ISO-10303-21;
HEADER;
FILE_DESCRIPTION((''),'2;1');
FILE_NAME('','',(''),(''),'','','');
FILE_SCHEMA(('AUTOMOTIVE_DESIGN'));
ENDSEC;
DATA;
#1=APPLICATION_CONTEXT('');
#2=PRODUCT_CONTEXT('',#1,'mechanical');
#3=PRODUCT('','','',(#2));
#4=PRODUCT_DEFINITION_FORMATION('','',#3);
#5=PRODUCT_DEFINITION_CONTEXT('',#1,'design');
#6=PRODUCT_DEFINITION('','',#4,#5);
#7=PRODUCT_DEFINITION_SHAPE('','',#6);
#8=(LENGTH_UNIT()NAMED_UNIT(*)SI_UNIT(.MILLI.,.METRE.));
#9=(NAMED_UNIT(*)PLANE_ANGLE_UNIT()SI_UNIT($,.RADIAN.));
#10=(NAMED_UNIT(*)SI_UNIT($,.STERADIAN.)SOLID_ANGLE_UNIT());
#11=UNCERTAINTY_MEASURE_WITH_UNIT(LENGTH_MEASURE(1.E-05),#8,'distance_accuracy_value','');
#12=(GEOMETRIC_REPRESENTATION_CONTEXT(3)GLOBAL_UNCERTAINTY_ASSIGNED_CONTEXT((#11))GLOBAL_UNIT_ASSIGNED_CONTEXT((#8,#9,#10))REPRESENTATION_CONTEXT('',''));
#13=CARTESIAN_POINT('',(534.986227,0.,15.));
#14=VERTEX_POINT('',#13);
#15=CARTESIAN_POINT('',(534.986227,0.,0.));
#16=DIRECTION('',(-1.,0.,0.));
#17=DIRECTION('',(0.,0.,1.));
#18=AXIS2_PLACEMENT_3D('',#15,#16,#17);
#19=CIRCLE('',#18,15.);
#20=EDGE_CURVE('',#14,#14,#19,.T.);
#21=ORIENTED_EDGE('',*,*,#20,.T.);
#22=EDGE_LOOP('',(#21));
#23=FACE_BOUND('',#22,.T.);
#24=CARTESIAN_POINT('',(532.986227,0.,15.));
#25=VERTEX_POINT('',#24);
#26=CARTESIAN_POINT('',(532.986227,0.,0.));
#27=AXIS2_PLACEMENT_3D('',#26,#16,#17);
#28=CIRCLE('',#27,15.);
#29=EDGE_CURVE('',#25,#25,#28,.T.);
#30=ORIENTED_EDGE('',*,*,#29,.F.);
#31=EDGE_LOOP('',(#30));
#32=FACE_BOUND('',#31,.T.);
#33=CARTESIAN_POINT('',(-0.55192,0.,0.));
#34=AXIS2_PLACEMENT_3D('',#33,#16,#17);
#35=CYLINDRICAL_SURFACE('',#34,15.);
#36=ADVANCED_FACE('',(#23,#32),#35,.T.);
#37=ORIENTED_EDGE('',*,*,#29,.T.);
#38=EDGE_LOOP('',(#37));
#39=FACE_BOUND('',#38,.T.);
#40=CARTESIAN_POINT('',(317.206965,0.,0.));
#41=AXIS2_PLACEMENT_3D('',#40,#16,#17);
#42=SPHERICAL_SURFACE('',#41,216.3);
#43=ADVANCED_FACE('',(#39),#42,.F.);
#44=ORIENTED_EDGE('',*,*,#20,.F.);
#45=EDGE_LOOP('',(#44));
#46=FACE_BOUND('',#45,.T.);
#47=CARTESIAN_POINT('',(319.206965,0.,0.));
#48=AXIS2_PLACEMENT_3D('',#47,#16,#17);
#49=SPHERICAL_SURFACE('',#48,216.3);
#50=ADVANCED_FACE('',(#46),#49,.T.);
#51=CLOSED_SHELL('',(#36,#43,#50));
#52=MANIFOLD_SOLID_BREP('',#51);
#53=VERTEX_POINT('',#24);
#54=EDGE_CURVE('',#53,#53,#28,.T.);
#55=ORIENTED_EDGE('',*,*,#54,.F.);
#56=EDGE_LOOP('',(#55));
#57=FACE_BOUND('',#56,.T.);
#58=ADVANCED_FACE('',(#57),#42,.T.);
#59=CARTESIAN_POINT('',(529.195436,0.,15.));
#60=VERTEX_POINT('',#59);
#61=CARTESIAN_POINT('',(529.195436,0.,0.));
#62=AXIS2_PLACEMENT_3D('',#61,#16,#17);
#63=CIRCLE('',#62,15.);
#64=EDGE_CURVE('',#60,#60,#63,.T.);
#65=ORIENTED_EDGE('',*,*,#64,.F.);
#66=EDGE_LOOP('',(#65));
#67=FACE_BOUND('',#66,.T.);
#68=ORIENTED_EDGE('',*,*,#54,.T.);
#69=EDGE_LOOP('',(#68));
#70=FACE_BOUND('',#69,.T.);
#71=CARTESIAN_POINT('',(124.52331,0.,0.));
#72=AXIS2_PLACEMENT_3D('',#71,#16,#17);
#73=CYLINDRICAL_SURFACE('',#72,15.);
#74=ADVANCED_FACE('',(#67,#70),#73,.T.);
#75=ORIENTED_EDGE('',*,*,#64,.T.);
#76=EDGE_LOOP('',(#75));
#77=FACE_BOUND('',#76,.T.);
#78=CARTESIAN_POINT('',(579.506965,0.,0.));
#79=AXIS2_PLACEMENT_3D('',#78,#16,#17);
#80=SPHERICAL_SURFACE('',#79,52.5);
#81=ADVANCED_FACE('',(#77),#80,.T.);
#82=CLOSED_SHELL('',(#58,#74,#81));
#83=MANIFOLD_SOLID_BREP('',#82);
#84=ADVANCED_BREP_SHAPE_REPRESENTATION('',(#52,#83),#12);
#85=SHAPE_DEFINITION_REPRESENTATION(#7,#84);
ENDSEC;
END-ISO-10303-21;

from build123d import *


with BuildPart() as part:
    # 草图1 one side → 旋转1 (revolve)
    with BuildSketch(Plane(origin=(0, 0, 0), x_dir=(1, 0, 0), z_dir=(0, 1, 0)), mode=Mode.PRIVATE) as revolve_1_sk:
        with BuildLine():
            ThreePointArc((529.195435731, 15), (527.556963789, 7.579403063), (527.006965225, 0))
            Line((527.006965225, 0), (533.506965225, 0))
            ThreePointArc((533.506965225, 0), (533.376741577, 7.504518103), (532.986227435, 15))
            Line((532.986227435, 15), (529.195435731, 15))
        make_face()
    revolve(revolve_1_sk.sketch.rotate(Axis((124.523309526, 0, 0), (1, 0, 0)), 180), axis=Axis((124.523309526, 0, 0), (1, 0, 0)))  # turned: the seam where the file's is


with BuildPart() as body_2:
    # 草图2 one side → 旋转3 (revolve)
    with BuildSketch(Plane(origin=(0, 0, 0), x_dir=(1, 0, 0), z_dir=(0, 1, 0)), mode=Mode.PRIVATE) as revolve_3_sk:
        with BuildLine():
            Line((534.986227435, 15), (532.986227435, 15))
            ThreePointArc((532.986227435, 15), (533.376741577, 7.504518103), (533.506965225, 0))
            Line((533.506965225, 0), (535.506965225, 0))
            ThreePointArc((535.506965225, 0), (535.376741577, 7.504518103), (534.986227435, 15))
        make_face()
    revolve(revolve_3_sk.sketch.rotate(Axis((-0.551919993, 0, 0), (1, 0, 0)), 180), axis=Axis((-0.551919993, 0, 0), (1, 0, 0)))  # turned: the seam where the file's is


solid = Compound([part.part, body_2.part])
